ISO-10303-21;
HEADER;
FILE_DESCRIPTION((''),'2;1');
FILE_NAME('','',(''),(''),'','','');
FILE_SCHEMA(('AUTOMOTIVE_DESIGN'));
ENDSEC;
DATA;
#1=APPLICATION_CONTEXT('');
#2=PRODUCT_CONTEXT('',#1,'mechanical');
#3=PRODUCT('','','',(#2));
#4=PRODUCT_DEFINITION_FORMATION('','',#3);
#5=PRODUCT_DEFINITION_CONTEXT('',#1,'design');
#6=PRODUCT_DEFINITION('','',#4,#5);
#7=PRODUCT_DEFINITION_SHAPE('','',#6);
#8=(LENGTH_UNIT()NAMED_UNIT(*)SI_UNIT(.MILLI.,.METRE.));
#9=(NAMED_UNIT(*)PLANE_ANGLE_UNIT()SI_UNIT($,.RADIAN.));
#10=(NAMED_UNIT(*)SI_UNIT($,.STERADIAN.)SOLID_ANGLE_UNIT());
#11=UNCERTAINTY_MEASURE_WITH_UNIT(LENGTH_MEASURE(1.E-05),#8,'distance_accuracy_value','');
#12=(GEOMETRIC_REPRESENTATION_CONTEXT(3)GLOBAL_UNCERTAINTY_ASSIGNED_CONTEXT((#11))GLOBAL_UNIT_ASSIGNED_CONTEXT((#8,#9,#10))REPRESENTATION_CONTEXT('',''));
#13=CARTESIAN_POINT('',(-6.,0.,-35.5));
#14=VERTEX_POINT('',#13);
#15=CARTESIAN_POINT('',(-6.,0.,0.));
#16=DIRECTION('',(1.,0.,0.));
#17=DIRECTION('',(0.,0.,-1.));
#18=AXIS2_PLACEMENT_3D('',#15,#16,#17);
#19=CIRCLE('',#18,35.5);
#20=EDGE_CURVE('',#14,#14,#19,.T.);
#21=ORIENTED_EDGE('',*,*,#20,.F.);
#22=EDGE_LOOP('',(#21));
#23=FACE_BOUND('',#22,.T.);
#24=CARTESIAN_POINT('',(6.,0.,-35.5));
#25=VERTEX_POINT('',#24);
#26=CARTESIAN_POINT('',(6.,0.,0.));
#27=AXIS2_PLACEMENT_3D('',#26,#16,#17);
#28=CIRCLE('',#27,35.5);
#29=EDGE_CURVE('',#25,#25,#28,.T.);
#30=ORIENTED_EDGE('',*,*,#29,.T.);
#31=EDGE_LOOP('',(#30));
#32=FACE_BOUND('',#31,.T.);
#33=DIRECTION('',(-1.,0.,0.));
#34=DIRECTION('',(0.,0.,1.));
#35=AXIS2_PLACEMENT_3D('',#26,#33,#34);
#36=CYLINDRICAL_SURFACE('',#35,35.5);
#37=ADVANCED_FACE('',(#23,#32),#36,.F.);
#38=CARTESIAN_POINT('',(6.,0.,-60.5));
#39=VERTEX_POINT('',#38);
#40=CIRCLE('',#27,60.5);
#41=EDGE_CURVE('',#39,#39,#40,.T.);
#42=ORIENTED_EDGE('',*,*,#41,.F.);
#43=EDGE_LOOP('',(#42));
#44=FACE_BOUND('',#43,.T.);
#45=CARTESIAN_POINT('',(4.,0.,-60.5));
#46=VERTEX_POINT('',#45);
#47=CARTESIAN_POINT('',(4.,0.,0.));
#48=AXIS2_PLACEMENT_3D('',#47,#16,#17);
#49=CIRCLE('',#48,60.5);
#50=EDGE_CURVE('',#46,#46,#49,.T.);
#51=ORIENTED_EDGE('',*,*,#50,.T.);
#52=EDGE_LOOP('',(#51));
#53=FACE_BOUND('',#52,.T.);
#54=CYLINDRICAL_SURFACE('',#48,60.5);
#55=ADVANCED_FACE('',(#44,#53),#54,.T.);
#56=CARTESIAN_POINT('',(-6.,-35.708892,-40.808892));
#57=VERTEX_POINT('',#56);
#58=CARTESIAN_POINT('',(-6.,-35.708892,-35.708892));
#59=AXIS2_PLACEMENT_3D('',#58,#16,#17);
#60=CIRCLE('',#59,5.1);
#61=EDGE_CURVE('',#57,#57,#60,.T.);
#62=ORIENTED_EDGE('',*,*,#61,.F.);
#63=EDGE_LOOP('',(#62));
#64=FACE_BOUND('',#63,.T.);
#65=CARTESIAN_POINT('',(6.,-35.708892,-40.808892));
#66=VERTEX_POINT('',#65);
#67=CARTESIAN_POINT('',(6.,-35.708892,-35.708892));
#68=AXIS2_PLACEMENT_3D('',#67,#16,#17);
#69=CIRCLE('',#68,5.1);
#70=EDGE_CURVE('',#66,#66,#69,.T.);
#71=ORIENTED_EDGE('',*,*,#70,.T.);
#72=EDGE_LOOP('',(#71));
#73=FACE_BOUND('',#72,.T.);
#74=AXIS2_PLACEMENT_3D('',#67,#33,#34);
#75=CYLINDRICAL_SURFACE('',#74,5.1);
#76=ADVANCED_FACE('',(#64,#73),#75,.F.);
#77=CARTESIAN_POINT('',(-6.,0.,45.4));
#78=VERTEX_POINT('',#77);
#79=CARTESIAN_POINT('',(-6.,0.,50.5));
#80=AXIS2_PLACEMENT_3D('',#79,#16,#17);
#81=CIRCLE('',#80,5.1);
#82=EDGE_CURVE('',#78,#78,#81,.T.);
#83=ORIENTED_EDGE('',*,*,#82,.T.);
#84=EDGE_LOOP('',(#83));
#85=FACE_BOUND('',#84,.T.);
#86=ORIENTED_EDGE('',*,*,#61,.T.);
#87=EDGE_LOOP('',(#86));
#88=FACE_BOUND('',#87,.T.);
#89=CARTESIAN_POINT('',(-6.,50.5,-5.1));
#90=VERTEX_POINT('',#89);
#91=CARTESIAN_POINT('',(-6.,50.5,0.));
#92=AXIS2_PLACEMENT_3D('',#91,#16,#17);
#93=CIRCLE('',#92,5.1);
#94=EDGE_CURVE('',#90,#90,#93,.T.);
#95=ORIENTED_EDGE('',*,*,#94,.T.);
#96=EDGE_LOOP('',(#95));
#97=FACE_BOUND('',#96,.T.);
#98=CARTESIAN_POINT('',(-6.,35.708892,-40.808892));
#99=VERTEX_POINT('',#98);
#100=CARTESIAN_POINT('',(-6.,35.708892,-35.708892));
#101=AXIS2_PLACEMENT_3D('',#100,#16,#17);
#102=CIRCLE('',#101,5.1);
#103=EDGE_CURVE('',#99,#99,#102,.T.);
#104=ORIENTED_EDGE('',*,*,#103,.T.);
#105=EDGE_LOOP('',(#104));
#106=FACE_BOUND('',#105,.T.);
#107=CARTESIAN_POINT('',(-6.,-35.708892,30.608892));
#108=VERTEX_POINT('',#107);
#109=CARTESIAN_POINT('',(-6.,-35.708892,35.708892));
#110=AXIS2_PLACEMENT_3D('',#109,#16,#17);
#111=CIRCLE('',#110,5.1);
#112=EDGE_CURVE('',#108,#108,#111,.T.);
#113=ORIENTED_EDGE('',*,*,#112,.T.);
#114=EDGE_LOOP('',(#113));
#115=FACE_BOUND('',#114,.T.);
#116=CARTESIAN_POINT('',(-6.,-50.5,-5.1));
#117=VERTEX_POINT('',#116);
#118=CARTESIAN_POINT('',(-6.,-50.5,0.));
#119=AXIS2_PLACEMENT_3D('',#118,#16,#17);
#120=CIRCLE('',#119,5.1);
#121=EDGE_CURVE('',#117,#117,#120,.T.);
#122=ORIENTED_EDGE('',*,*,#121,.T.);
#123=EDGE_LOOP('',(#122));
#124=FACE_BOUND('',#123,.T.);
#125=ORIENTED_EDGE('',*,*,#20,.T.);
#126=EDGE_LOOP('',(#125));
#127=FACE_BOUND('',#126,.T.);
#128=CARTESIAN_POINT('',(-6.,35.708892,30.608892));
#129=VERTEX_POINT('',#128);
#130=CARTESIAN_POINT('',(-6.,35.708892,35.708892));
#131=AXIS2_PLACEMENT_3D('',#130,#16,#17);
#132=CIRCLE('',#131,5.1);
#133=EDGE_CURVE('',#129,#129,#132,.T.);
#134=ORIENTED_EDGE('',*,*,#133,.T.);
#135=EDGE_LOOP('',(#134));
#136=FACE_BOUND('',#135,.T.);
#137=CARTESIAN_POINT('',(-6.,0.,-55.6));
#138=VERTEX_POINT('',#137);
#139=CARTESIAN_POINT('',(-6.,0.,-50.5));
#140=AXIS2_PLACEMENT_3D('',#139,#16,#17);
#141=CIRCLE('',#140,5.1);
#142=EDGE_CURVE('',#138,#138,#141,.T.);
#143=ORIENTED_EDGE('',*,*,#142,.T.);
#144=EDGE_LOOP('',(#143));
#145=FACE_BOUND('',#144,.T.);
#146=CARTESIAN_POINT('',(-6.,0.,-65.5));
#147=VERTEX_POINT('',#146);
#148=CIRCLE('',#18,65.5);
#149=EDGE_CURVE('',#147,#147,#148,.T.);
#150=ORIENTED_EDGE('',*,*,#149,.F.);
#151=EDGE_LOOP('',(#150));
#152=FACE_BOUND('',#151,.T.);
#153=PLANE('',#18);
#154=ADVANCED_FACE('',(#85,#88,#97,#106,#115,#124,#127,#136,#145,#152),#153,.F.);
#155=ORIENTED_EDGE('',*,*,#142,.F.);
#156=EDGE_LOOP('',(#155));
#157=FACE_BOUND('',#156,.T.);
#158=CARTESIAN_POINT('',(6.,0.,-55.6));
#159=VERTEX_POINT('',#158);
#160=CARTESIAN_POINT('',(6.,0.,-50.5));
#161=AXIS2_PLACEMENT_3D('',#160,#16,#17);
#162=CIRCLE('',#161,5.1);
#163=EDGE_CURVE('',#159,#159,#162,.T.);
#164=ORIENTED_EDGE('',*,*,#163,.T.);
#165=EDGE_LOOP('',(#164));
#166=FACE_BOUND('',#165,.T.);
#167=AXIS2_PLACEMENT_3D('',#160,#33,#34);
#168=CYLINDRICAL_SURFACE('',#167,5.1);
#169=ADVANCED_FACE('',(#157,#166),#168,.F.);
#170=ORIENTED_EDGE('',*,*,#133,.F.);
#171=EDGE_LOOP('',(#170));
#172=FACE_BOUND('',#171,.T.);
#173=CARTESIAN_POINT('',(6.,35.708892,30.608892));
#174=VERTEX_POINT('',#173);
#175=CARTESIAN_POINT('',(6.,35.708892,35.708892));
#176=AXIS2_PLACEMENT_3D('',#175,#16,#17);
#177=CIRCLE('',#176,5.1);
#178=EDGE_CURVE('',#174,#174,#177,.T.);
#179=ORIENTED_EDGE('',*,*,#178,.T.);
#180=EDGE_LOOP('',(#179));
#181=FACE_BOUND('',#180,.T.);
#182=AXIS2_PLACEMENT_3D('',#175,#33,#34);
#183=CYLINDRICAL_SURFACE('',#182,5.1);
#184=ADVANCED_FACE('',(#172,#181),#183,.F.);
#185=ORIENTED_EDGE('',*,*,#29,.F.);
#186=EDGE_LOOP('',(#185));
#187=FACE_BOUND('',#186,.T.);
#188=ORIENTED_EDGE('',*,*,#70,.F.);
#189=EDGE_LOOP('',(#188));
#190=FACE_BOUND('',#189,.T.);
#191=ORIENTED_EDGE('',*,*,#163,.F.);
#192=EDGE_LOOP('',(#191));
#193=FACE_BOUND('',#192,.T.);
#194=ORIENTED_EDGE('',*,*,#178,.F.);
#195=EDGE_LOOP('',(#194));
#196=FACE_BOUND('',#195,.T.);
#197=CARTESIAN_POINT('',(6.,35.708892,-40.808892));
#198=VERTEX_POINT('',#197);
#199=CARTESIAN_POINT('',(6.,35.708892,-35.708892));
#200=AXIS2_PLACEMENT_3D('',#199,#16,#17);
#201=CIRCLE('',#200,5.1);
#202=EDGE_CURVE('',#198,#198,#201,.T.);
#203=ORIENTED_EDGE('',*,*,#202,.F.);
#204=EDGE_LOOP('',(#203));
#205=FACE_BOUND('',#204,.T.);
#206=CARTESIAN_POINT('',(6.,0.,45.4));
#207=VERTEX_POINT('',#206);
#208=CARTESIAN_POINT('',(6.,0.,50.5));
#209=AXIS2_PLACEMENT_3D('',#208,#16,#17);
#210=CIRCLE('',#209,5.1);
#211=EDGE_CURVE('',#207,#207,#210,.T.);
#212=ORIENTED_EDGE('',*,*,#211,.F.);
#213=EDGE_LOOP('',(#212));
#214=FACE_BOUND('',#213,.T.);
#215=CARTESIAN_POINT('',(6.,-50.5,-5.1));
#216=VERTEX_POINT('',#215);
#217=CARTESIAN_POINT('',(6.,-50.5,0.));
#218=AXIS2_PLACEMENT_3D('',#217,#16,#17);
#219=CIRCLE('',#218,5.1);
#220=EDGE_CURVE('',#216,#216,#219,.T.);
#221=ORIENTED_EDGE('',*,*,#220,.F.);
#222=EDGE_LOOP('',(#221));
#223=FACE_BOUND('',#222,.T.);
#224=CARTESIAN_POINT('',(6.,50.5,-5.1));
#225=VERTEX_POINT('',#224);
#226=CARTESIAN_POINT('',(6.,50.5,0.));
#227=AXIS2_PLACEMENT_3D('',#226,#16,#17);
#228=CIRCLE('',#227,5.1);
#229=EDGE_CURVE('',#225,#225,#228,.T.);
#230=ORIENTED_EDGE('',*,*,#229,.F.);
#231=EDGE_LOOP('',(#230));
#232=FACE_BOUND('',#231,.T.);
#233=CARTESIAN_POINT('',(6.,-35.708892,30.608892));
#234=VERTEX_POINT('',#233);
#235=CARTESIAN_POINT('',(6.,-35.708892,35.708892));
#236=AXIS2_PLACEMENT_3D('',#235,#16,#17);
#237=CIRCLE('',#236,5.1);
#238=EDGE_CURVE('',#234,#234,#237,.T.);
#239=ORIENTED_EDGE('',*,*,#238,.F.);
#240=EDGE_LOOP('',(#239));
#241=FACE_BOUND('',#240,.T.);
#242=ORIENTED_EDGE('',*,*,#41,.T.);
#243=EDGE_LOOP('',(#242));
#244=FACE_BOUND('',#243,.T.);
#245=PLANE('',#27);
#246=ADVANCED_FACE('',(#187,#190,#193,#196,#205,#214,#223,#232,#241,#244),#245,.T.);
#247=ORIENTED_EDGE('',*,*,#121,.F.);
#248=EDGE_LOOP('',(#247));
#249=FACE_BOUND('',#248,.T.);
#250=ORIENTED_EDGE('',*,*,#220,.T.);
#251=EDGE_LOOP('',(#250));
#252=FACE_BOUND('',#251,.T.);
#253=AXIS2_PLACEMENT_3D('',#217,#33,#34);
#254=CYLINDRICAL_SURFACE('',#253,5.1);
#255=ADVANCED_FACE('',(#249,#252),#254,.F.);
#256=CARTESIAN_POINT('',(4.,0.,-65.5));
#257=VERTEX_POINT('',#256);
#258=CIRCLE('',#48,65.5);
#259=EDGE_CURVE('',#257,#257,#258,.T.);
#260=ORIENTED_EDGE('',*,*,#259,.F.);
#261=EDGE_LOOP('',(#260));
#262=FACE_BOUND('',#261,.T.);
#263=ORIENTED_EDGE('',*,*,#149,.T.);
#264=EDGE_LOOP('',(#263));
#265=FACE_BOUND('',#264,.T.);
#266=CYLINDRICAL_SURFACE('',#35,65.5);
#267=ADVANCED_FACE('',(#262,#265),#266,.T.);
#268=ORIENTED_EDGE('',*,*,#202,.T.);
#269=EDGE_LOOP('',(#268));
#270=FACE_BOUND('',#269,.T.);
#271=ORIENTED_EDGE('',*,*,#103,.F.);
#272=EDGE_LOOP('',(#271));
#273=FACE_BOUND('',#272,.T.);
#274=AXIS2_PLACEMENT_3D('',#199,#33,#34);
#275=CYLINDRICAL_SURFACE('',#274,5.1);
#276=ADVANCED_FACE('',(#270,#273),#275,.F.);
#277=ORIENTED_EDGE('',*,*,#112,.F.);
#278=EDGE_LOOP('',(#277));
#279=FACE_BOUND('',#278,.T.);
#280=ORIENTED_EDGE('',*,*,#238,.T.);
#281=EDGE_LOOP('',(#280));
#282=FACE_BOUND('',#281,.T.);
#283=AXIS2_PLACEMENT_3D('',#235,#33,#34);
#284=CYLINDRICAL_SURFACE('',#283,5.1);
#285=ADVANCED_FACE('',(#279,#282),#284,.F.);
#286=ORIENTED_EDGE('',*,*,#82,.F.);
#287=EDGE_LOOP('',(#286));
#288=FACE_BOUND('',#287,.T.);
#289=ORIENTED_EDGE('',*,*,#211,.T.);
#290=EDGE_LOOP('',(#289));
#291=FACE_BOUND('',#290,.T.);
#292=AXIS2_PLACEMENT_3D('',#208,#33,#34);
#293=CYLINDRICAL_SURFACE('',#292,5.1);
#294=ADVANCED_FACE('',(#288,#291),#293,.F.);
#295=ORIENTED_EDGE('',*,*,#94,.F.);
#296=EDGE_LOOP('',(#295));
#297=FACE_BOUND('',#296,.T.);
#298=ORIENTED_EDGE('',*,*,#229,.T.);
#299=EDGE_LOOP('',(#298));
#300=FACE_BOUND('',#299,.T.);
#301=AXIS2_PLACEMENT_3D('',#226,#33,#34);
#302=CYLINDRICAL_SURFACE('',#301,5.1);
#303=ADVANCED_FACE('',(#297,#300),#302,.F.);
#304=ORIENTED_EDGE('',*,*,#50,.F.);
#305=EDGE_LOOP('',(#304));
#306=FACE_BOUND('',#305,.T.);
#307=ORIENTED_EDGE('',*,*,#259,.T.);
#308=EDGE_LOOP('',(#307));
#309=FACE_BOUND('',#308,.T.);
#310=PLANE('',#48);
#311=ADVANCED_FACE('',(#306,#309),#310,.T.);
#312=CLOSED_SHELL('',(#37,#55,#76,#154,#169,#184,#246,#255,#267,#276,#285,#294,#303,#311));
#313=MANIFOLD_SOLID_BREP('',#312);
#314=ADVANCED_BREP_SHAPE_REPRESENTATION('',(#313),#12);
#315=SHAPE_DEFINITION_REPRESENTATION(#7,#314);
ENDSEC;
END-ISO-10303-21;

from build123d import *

# Parameters (mm, degrees)
SKETCH_1_R          = 65.5
SKETCH_1_R_2        = 35.5
SKETCH_1_R_3        = 5.1
EXTRUDE_1_DEPTH     = 6
SKETCH_2_R          = 65.5
SKETCH_2_R_2        = 60.5
CUT_EXTRUDE_1_DEPTH = 2


with BuildPart() as part:
    # Эскиз1 → Бобышка-Вытянуть1 (new, symmetric)
    with BuildSketch(Plane(origin=(0, 0, 0), x_dir=(0, 0, -1), z_dir=(1, 0, 0))):
        Circle(SKETCH_1_R)
        Circle(SKETCH_1_R_2, mode=Mode.SUBTRACT)
        with Locations((0, 50.5)):
            Circle(SKETCH_1_R_3, mode=Mode.SUBTRACT)
        with Locations((35.70889245, 35.70889245)):
            Circle(SKETCH_1_R_3, mode=Mode.SUBTRACT)
        with Locations((50.5, 0)):
            Circle(SKETCH_1_R_3, mode=Mode.SUBTRACT)
        with Locations((35.70889245, -35.70889245)):
            Circle(SKETCH_1_R_3, mode=Mode.SUBTRACT)
        with Locations((0, -50.5)):
            Circle(SKETCH_1_R_3, mode=Mode.SUBTRACT)
        with Locations((-35.70889245, -35.70889245)):
            Circle(SKETCH_1_R_3, mode=Mode.SUBTRACT)
        with Locations((-50.5, 0)):
            Circle(SKETCH_1_R_3, mode=Mode.SUBTRACT)
        with Locations((-35.70889245, 35.70889245)):
            Circle(SKETCH_1_R_3, mode=Mode.SUBTRACT)
    extrude(amount=EXTRUDE_1_DEPTH, both=True)

    # Эскиз2 → Вырез-Вытянуть1 (cut)
    with BuildSketch(Plane(origin=(6, 0, 0), x_dir=(0, 0, -1), z_dir=(1, 0, 0))):
        Circle(SKETCH_2_R)
        Circle(SKETCH_2_R_2, mode=Mode.SUBTRACT)
    extrude(amount=-CUT_EXTRUDE_1_DEPTH, mode=Mode.SUBTRACT)


solid = part.part
